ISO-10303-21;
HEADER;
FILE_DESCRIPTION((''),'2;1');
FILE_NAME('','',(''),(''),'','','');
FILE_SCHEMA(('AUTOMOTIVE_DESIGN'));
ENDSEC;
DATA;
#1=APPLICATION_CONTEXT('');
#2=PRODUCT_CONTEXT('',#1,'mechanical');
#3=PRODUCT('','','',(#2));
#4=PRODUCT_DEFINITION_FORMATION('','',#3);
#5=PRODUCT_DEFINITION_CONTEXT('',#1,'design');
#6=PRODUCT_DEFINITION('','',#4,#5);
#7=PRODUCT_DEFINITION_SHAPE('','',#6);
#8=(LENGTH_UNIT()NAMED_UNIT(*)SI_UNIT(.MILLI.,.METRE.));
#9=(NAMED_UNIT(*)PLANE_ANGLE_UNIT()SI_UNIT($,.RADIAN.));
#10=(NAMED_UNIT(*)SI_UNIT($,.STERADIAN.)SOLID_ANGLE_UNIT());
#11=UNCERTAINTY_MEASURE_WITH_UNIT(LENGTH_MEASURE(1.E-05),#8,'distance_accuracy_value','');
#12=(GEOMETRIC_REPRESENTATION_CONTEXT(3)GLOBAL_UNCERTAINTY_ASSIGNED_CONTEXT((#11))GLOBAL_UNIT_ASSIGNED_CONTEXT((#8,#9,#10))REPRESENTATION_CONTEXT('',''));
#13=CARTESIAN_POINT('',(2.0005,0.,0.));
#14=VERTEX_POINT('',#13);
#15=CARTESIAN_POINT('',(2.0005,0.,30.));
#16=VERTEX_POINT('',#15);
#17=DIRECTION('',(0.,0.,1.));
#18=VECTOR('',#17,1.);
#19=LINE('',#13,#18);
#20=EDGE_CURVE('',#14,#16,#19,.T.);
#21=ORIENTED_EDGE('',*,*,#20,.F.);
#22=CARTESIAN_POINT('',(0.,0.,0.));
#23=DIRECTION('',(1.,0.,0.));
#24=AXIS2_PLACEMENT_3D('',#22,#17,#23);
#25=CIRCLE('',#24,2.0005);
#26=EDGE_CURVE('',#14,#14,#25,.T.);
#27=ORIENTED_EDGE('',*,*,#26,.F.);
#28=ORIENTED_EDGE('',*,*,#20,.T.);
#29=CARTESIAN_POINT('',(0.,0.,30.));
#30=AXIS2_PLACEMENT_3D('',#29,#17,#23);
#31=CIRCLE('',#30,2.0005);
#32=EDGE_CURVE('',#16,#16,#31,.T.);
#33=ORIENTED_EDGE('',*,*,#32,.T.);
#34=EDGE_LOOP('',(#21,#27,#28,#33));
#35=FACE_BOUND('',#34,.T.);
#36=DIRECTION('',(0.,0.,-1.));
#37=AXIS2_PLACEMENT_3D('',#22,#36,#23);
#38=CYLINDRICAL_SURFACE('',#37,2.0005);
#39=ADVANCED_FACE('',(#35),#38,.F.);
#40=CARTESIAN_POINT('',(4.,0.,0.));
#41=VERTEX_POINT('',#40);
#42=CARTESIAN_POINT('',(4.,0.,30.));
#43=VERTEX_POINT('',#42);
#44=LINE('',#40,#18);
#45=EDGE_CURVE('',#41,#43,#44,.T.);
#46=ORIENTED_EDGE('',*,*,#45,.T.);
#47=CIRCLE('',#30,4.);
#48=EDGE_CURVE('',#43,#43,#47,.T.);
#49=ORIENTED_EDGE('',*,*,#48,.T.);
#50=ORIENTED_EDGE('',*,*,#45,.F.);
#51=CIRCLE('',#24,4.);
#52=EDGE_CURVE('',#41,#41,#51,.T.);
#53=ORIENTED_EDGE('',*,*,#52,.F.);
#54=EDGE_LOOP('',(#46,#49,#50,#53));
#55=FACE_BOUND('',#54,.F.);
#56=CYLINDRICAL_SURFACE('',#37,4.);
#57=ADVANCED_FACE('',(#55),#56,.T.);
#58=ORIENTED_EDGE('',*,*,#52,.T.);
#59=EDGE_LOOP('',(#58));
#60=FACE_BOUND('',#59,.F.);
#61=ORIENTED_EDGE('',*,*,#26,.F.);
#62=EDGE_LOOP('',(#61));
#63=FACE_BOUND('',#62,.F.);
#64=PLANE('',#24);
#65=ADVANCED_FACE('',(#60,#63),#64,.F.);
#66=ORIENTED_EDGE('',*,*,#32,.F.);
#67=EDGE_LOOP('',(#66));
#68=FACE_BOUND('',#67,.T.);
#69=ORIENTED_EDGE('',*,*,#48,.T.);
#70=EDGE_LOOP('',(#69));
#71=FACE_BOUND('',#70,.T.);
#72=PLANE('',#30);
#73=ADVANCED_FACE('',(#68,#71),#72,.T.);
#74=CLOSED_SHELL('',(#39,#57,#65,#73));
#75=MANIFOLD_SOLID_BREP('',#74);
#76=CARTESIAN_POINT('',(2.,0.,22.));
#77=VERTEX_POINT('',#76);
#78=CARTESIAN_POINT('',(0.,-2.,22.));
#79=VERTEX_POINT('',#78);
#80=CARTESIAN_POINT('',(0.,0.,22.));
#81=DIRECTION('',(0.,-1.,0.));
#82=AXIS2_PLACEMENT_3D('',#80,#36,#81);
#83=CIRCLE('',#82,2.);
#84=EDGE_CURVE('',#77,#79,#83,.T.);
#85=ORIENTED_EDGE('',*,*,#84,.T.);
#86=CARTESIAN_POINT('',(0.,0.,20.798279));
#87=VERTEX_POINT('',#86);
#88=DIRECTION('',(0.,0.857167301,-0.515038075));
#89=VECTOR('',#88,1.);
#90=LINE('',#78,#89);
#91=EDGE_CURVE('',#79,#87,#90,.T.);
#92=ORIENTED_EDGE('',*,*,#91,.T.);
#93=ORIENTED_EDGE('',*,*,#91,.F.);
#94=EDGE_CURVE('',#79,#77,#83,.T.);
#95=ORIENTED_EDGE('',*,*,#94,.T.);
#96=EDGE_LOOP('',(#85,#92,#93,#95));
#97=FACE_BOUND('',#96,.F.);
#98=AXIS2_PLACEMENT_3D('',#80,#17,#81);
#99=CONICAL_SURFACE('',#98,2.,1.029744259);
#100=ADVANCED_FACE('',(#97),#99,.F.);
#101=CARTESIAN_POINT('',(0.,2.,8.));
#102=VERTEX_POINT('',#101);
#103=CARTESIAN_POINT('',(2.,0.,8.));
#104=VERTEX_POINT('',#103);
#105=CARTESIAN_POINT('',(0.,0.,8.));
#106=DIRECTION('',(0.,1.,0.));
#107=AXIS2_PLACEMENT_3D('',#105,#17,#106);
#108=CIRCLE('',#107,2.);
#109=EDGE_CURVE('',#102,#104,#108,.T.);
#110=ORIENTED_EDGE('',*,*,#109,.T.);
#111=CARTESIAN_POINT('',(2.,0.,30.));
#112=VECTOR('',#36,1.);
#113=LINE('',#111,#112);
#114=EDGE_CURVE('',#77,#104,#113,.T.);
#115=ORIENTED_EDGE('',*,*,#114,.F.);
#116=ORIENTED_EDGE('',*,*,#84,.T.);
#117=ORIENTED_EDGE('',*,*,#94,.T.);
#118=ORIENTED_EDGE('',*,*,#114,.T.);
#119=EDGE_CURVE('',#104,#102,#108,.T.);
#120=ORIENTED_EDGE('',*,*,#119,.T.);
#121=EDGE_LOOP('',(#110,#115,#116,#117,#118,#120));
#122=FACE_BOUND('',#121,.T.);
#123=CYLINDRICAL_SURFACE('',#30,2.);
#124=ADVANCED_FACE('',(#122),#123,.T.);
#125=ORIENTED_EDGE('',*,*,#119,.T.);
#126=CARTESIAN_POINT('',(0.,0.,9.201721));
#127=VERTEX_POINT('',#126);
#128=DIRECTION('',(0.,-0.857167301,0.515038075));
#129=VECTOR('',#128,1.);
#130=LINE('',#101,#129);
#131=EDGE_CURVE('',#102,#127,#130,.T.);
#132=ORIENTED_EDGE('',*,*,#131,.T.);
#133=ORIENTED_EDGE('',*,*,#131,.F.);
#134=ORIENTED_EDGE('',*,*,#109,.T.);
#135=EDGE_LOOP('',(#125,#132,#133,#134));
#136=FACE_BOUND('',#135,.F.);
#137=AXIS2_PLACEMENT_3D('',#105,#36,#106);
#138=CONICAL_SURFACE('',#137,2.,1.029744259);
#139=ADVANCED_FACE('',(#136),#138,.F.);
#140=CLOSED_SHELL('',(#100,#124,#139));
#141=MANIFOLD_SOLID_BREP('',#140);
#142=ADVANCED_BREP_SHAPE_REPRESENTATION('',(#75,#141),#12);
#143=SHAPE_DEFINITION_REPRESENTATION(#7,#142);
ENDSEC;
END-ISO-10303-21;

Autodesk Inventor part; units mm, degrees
ref_plane "YZ Plane" through (0, 0, 0) normal (1, 0, 0) x (0, 1, 0)
ref_plane "XZ Plane" through (0, 0, 0) normal (0, 1, 0) x (-1, 0, 0)
ref_plane "XY Plane" through (0, 0, 0) normal (0, 0, 1) x (1, 0, 0)
sketch "スケッチ1" plane through (0, 0, 0) normal (0, 0, 1) x (1, 0, 0)
  circle A0 centre (0, 0) radius 4
  circle A1 centre (0, 0) radius 2.0005
  dimension "d0" = 8
  dimension "d1" = 4.001
extrude "押し出し1" add sketch "スケッチ1" along normal blind 30
sketch "スケッチ2" plane through (0, 0, 30) normal (0, 0, 1) x (1, 0, 0)
  circle A0 centre (0, 0) radius 2
  dimension "d4" = 4
extrude "押し出し2" add sketch "スケッチ2" against normal blind 30
hole "穴1" at (0, 0, 30) direction (0, 0, -1) diameter 4 depth 8 tip angle 118
hole "穴2" at (0, 0, 0) direction (0, 0, 1) diameter 4 depth 8 tip angle 118
properties part number "スペーサーm4-30　簡易筒型" material "アルミニウム 2014-T4"
